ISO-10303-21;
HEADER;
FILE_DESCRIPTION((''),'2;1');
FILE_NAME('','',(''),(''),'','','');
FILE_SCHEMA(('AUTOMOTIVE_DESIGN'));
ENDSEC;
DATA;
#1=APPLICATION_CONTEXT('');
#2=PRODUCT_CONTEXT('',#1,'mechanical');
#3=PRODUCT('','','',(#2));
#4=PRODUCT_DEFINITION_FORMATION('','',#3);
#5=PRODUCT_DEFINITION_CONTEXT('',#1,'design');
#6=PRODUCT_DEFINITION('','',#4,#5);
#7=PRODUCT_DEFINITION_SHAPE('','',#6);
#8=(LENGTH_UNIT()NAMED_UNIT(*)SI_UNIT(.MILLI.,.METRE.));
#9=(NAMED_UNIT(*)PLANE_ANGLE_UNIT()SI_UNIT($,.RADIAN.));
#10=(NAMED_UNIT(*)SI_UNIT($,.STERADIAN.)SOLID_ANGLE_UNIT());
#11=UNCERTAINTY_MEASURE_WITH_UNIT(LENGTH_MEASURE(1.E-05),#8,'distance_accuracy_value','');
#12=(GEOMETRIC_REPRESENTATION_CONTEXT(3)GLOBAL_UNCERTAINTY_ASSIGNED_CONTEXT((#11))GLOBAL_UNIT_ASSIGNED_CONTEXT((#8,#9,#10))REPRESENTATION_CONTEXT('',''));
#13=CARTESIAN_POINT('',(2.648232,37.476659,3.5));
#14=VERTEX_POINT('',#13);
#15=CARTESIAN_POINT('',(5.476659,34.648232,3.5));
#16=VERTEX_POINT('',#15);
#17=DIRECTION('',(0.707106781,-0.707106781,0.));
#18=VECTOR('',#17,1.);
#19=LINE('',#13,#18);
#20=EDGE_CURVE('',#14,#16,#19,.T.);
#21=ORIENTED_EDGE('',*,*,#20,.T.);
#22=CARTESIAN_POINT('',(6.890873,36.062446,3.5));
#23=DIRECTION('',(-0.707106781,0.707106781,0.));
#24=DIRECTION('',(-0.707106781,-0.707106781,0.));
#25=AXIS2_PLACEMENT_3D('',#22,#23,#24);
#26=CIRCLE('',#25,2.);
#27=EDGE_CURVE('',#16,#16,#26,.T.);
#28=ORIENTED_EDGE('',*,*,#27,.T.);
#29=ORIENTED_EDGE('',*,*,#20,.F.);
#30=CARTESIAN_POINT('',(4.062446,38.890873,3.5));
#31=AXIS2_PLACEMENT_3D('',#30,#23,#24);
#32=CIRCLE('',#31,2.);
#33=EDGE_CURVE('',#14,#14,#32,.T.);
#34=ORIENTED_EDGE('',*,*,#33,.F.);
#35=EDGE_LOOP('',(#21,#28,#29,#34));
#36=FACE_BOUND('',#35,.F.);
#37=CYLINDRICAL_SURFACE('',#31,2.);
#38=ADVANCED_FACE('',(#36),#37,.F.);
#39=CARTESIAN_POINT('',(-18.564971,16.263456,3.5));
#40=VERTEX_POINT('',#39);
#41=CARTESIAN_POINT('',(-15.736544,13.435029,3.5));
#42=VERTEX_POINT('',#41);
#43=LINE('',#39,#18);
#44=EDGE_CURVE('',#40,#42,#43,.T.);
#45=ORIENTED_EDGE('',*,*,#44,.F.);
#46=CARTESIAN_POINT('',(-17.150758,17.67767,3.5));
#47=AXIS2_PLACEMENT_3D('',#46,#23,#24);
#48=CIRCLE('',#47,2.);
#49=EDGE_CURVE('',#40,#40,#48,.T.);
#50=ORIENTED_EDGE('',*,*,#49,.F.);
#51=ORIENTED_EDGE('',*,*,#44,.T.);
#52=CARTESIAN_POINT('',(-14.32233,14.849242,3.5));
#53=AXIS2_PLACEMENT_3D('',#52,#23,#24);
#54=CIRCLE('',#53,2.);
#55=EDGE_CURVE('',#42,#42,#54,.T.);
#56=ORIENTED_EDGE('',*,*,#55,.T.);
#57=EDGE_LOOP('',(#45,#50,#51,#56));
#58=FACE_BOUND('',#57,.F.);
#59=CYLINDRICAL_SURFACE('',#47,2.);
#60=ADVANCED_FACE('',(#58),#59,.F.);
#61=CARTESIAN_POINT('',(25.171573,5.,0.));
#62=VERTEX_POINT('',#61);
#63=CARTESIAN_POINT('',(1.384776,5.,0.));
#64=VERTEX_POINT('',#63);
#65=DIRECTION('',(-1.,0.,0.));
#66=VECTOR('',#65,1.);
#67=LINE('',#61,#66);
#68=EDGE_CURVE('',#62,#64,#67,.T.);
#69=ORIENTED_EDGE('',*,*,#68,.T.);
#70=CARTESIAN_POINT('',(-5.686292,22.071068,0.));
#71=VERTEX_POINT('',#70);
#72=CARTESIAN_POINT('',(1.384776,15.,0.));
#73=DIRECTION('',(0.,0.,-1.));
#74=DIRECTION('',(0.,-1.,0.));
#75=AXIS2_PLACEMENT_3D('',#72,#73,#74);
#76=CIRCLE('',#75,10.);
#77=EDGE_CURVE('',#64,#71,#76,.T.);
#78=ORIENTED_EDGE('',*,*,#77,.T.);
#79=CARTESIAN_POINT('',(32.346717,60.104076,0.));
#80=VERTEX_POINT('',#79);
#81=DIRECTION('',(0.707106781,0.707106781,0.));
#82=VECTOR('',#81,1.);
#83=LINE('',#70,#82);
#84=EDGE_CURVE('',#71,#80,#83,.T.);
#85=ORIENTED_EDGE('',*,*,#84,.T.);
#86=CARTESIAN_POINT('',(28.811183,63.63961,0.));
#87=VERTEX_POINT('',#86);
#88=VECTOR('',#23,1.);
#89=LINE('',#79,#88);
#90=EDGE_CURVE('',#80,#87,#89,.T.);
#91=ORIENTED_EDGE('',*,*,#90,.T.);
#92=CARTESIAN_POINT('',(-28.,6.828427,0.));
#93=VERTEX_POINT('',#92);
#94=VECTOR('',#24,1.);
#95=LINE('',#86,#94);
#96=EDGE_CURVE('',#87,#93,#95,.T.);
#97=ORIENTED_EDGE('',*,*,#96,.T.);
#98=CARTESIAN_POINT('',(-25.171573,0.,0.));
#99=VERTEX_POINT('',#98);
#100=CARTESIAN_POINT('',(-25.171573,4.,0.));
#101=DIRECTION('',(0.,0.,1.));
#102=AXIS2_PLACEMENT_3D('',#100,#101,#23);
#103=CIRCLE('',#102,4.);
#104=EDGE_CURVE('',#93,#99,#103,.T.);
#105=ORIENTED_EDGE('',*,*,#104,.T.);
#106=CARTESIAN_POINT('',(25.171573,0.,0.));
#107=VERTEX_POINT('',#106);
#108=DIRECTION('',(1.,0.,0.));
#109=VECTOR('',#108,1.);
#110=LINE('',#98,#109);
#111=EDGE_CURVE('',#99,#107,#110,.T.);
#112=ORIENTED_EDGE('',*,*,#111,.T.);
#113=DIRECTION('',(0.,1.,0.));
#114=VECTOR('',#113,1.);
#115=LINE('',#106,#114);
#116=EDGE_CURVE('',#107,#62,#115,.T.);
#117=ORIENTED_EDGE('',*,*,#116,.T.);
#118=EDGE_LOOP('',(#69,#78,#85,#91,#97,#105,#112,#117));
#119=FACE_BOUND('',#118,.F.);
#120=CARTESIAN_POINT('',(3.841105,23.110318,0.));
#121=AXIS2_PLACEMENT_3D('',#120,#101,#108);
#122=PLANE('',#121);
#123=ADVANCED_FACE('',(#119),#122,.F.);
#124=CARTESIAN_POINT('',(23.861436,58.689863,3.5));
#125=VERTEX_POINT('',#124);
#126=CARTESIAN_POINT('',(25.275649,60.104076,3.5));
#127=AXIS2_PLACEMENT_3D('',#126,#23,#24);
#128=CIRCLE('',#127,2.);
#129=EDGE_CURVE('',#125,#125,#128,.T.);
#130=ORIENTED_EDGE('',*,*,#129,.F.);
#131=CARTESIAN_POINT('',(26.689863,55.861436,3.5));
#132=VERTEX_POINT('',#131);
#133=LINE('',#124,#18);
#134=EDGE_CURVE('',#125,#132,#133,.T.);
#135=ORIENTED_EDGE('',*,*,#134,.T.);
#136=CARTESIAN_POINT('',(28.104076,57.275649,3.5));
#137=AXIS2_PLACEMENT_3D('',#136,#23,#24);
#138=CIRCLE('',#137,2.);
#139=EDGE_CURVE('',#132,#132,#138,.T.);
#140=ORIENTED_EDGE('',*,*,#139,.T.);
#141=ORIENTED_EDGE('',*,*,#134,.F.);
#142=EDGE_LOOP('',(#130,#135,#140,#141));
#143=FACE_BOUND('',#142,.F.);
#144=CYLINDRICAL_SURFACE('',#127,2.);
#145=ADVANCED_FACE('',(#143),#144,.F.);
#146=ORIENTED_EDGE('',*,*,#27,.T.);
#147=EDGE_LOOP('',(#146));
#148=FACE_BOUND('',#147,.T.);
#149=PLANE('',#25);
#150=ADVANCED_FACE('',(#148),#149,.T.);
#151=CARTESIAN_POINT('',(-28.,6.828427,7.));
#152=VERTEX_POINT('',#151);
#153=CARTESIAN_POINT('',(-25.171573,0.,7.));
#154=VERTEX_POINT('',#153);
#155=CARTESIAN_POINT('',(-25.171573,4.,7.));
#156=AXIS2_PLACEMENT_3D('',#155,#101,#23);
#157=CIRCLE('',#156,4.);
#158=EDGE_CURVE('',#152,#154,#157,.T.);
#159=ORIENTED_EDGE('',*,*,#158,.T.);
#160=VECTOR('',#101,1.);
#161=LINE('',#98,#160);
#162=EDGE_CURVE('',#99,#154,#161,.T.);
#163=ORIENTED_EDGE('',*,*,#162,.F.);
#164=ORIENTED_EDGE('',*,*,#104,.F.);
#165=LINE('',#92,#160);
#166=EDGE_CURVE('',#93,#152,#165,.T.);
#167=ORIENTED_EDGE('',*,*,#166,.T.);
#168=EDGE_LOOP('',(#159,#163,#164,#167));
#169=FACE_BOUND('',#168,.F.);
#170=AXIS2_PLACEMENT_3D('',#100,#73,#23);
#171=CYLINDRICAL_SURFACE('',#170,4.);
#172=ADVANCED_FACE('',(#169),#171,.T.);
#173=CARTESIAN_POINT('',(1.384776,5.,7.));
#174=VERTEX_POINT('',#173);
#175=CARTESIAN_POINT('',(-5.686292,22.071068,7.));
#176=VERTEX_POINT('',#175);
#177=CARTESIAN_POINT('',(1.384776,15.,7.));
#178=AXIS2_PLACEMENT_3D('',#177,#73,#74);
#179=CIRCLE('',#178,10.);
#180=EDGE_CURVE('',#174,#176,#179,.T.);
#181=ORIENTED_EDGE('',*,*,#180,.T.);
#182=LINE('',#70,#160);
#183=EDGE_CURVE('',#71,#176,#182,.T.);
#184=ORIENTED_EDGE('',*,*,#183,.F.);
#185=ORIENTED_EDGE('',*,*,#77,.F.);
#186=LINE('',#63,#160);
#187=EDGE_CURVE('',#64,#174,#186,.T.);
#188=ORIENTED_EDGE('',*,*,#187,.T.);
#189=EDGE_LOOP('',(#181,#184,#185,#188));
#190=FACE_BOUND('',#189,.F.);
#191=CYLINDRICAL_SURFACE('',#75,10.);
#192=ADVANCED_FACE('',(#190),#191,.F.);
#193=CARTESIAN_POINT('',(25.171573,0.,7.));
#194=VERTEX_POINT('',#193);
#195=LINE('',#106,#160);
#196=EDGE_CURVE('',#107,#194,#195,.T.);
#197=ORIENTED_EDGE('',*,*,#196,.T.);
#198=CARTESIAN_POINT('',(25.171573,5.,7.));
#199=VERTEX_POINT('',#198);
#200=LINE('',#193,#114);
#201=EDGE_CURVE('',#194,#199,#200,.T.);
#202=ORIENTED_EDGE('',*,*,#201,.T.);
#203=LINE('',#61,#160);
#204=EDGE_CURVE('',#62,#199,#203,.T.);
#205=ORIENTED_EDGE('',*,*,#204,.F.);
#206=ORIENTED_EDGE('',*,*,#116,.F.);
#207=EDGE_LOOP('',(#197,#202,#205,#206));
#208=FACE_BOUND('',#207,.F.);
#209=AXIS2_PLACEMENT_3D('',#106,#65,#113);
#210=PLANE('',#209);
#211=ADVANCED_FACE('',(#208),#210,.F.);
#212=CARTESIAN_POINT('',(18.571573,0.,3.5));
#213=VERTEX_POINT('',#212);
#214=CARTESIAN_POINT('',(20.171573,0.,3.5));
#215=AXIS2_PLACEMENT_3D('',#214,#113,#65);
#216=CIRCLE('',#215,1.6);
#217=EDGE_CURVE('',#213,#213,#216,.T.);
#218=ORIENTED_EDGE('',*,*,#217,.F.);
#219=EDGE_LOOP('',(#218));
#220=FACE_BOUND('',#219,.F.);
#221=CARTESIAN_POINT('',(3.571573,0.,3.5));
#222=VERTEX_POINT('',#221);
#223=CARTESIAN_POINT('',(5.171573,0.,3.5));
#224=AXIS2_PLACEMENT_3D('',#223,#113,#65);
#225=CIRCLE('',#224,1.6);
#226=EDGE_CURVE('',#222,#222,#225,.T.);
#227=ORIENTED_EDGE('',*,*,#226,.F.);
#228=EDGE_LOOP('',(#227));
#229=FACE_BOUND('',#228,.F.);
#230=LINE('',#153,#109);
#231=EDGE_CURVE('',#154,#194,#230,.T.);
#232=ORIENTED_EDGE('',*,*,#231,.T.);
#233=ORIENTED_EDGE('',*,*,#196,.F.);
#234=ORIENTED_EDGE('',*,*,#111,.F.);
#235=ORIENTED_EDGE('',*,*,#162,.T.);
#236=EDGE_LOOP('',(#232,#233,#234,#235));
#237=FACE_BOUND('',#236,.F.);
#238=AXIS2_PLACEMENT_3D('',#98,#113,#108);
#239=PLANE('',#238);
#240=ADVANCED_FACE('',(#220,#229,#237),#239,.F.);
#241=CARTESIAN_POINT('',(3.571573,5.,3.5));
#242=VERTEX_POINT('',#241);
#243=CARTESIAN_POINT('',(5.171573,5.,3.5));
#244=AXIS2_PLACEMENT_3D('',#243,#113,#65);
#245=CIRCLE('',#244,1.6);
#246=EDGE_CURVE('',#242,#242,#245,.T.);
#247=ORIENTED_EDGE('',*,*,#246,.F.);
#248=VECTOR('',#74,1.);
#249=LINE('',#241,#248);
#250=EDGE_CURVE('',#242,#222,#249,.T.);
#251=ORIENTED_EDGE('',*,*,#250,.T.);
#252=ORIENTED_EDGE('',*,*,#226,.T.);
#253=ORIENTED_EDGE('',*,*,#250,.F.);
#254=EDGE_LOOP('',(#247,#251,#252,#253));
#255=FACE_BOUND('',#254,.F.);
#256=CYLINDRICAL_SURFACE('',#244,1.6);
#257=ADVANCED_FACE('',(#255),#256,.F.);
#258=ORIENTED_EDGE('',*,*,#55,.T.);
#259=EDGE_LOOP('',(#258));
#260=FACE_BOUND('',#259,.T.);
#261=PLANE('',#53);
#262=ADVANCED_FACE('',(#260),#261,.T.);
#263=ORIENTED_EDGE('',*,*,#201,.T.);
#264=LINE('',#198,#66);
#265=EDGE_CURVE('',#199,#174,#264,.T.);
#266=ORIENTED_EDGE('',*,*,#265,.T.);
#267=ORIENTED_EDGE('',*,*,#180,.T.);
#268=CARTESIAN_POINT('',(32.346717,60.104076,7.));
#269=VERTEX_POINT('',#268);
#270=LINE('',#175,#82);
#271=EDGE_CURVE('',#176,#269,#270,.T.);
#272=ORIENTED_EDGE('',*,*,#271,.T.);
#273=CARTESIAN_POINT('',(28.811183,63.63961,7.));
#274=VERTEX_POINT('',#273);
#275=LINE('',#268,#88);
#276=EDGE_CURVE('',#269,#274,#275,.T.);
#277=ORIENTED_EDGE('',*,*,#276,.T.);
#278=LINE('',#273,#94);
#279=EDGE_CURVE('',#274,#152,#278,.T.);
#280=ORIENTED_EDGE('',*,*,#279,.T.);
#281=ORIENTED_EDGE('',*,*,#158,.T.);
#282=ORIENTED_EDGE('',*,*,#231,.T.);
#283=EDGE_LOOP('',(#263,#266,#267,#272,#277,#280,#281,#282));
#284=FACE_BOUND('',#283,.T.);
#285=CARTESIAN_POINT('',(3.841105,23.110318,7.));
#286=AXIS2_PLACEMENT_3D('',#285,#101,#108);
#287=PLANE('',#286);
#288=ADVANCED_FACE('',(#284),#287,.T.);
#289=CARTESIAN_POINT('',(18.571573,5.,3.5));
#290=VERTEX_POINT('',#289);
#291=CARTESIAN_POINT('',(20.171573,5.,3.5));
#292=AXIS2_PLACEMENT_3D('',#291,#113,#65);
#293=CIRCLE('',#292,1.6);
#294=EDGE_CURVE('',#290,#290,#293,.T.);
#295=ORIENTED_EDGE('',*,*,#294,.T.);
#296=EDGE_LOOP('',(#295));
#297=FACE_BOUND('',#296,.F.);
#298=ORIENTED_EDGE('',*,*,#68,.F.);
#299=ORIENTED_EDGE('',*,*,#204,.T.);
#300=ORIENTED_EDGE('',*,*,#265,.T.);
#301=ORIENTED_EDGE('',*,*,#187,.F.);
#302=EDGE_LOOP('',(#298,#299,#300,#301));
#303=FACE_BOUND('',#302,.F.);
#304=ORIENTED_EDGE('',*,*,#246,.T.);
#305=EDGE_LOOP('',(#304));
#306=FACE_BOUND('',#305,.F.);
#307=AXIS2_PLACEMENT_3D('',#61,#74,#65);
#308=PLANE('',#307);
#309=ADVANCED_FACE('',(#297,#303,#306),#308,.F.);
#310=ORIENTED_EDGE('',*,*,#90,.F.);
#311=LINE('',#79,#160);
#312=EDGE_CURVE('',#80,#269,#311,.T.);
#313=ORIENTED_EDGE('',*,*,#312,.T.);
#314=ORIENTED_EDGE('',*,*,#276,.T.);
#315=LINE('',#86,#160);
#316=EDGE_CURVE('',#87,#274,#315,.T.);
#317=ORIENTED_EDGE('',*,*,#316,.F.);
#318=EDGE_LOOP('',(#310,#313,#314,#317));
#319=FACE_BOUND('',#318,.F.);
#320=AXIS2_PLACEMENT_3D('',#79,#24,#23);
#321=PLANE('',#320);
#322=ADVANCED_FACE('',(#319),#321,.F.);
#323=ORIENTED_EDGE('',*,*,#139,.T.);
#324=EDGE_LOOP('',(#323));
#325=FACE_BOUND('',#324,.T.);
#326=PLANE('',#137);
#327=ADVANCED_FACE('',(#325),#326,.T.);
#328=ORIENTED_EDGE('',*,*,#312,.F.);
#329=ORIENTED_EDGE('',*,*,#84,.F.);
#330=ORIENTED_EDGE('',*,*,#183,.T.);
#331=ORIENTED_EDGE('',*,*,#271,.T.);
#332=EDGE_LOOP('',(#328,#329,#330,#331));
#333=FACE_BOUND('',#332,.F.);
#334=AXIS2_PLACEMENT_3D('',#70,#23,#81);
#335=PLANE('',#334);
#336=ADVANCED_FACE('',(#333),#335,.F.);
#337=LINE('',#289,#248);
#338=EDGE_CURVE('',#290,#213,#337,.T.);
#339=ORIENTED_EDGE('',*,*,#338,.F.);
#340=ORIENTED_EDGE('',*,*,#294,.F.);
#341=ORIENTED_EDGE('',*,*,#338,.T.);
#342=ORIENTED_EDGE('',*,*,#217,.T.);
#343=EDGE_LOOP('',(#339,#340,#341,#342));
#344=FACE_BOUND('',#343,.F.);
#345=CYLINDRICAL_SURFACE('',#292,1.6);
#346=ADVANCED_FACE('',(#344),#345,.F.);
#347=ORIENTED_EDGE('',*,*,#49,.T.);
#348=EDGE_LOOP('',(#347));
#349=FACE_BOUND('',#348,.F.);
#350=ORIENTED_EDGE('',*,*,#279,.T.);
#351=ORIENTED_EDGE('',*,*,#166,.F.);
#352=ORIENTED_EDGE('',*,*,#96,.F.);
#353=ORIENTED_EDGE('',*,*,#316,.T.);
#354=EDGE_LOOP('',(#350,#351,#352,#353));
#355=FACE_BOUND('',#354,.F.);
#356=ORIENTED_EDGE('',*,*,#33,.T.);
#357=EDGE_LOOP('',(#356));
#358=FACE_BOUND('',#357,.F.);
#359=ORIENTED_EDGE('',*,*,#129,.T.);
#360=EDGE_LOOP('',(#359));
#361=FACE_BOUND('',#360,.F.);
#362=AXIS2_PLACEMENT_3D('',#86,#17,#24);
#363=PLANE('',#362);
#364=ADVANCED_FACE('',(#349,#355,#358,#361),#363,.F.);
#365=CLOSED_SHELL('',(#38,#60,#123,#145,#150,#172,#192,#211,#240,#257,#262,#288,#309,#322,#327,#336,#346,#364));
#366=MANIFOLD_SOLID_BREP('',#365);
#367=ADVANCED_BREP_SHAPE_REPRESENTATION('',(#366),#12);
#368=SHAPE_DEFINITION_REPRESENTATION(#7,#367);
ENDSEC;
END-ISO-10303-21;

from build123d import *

# Parameters (mm, degrees)
F1_DEPTH = 7
F2_R     = 2
F3_DEPTH = 4
F4_R     = 1.6
F5_DEPTH = 5


with BuildPart() as f1:
    # F0 (on Top) → F1 (new body)
    with BuildSketch(Plane.XY):
        with BuildLine():
            Line((32.346717088, 60.1040764009), (28.811183182, 63.6396103068))
            Line((28.811183182, 63.6396103068), (-28, 6.8284271247))
            ThreePointArc((-28, 6.8284271247), (-28.8670910053, 2.4692662705), (-25.1715728753, 0))
            Line((-25.1715728753, 0), (25.1715728753, 0))
            Line((25.1715728753, 0), (25.1715728753, 5))
            Line((25.1715728753, 5), (1.3847763109, 5))
            ThreePointArc((1.3847763109, 5), (-7.8540190143, 11.1731656763), (-5.686291501, 22.0710678119))
            Line((-5.686291501, 22.0710678119), (32.346717088, 60.1040764009))
        make_face()
    extrude(amount=F1_DEPTH)

    # F2 (on face) → F3 (cut, through all)
    with BuildSketch(Plane(origin=(-17.4142135624, 17.4142135624, 0), x_dir=(-0.7071067812, -0.7071067812, 0), z_dir=(-0.7071067812, 0.7071067812, 0))):
        with Locations((-0.372583002, 3.5)):
            Circle(F2_R)
        with Locations((-60.372583002, 3.5)):
            Circle(F2_R)
        with Locations((-30.372583002, 3.5)):
            Circle(F2_R)
    extrude(amount=-F3_DEPTH, mode=Mode.SUBTRACT)

    # F4 (on face) → F5 (cut, through all)
    with BuildSketch(Plane(origin=(0, 5, 0), x_dir=(-1, 0, 0), z_dir=(0, 1, 0))):
        with Locations((-20.1715728753, 3.5)):
            Circle(F4_R)
        with Locations((-5.1715728753, 3.5)):
            Circle(F4_R)
    extrude(amount=-F5_DEPTH, mode=Mode.SUBTRACT)


solid = f1.part
